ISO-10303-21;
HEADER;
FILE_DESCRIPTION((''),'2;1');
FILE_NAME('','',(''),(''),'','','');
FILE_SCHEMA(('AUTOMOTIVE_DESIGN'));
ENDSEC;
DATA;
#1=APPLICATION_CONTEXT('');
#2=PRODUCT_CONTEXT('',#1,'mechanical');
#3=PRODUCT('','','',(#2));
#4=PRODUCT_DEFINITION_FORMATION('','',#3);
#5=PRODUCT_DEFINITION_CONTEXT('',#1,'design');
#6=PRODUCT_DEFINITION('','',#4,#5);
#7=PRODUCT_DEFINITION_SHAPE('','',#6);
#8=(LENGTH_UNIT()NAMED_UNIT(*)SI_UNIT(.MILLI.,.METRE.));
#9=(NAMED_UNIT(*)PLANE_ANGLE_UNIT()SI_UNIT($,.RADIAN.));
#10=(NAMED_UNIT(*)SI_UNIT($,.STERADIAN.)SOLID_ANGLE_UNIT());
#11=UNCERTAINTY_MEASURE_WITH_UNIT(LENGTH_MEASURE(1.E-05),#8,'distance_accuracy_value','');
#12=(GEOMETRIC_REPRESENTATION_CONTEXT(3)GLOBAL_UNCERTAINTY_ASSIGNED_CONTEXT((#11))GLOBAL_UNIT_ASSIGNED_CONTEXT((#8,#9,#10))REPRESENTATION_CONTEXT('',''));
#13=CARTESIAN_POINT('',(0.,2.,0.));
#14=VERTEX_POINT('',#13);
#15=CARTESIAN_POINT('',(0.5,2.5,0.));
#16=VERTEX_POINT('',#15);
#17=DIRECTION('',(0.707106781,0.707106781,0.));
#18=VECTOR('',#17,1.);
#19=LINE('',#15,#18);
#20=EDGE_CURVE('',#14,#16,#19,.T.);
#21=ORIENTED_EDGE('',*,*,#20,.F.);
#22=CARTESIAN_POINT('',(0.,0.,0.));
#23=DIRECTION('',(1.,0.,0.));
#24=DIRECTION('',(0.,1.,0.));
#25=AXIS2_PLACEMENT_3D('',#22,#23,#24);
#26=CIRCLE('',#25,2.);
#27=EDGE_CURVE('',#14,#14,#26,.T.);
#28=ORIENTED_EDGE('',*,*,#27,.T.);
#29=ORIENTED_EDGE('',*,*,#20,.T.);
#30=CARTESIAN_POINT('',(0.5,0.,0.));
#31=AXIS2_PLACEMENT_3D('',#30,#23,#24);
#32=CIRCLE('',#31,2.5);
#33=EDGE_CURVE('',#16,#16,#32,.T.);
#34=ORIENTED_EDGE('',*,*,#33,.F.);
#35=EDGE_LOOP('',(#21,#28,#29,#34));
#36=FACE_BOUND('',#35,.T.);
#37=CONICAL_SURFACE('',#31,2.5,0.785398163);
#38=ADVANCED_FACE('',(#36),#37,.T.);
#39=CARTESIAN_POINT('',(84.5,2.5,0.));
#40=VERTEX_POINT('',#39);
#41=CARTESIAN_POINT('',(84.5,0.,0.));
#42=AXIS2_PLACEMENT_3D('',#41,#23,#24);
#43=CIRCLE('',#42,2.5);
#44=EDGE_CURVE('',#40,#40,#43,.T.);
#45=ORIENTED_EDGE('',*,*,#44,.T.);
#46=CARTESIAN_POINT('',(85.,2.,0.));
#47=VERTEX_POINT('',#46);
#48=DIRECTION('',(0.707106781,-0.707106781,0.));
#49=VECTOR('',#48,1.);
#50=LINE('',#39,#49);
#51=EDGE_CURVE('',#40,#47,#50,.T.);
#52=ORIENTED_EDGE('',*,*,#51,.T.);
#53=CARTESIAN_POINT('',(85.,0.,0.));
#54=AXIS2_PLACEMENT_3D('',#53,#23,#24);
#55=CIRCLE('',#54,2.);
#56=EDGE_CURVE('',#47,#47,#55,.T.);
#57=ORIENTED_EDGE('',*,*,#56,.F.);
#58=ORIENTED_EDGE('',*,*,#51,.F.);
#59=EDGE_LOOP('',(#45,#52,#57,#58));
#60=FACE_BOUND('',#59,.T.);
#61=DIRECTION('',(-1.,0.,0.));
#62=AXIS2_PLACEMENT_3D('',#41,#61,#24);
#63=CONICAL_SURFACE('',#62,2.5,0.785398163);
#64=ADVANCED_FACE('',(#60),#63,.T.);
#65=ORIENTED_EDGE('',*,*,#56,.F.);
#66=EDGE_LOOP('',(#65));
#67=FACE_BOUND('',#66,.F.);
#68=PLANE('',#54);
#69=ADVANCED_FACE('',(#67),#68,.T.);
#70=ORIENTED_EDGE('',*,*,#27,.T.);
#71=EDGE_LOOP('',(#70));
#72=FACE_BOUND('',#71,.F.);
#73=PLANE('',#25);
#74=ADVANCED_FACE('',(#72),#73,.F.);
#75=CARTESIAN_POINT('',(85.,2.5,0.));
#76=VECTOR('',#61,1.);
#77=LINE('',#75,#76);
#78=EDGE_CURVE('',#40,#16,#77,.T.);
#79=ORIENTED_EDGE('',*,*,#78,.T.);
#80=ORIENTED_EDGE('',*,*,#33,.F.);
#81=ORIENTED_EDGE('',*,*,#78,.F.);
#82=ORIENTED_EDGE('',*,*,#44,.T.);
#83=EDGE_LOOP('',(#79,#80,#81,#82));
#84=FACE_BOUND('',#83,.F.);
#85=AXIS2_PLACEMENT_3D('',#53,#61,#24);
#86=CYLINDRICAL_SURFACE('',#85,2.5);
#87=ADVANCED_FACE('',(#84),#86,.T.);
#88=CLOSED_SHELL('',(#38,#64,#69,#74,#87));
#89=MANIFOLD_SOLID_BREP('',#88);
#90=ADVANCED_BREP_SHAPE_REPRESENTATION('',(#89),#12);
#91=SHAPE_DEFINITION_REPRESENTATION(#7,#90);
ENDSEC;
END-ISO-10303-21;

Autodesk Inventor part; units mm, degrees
ref_plane "YZ Plane" through (0, 0, 0) normal (1, 0, 0) x (0, 1, 0)
ref_plane "XZ Plane" through (0, 0, 0) normal (0, 1, 0) x (-1, 0, 0)
ref_plane "XY Plane" through (0, 0, 0) normal (0, 0, 1) x (1, 0, 0)
sketch "Skizze1" plane through (0, 0, 0) normal (0, 0, 1) x (1, 0, 0)
  line L0 (0, 0) -> (85, 0)
  line L1 (85, 0) -> (85, 2.5)
  line L2 (85, 2.5) -> (0, 2.5)
  line L3 (0, 2.5) -> (0, 0)
  dimension "d0" = 5
  dimension "d1" = 85
revolve "Umdrehung1" add sketch "Skizze1" angle 360 about axis through (0, 0, 0) along (1, 0, 0)
chamfer "Fasen1" distance 0.5 angle 45 2 edges at (0, -2.5, 0) (85, -2.5, 0)
thread "Gewinde1" size "M5x0.8" class "6g" standard "ANSI Metric M Profile" full length
properties part number "ThreadedRod-M5x85" material "Edelstahl"
